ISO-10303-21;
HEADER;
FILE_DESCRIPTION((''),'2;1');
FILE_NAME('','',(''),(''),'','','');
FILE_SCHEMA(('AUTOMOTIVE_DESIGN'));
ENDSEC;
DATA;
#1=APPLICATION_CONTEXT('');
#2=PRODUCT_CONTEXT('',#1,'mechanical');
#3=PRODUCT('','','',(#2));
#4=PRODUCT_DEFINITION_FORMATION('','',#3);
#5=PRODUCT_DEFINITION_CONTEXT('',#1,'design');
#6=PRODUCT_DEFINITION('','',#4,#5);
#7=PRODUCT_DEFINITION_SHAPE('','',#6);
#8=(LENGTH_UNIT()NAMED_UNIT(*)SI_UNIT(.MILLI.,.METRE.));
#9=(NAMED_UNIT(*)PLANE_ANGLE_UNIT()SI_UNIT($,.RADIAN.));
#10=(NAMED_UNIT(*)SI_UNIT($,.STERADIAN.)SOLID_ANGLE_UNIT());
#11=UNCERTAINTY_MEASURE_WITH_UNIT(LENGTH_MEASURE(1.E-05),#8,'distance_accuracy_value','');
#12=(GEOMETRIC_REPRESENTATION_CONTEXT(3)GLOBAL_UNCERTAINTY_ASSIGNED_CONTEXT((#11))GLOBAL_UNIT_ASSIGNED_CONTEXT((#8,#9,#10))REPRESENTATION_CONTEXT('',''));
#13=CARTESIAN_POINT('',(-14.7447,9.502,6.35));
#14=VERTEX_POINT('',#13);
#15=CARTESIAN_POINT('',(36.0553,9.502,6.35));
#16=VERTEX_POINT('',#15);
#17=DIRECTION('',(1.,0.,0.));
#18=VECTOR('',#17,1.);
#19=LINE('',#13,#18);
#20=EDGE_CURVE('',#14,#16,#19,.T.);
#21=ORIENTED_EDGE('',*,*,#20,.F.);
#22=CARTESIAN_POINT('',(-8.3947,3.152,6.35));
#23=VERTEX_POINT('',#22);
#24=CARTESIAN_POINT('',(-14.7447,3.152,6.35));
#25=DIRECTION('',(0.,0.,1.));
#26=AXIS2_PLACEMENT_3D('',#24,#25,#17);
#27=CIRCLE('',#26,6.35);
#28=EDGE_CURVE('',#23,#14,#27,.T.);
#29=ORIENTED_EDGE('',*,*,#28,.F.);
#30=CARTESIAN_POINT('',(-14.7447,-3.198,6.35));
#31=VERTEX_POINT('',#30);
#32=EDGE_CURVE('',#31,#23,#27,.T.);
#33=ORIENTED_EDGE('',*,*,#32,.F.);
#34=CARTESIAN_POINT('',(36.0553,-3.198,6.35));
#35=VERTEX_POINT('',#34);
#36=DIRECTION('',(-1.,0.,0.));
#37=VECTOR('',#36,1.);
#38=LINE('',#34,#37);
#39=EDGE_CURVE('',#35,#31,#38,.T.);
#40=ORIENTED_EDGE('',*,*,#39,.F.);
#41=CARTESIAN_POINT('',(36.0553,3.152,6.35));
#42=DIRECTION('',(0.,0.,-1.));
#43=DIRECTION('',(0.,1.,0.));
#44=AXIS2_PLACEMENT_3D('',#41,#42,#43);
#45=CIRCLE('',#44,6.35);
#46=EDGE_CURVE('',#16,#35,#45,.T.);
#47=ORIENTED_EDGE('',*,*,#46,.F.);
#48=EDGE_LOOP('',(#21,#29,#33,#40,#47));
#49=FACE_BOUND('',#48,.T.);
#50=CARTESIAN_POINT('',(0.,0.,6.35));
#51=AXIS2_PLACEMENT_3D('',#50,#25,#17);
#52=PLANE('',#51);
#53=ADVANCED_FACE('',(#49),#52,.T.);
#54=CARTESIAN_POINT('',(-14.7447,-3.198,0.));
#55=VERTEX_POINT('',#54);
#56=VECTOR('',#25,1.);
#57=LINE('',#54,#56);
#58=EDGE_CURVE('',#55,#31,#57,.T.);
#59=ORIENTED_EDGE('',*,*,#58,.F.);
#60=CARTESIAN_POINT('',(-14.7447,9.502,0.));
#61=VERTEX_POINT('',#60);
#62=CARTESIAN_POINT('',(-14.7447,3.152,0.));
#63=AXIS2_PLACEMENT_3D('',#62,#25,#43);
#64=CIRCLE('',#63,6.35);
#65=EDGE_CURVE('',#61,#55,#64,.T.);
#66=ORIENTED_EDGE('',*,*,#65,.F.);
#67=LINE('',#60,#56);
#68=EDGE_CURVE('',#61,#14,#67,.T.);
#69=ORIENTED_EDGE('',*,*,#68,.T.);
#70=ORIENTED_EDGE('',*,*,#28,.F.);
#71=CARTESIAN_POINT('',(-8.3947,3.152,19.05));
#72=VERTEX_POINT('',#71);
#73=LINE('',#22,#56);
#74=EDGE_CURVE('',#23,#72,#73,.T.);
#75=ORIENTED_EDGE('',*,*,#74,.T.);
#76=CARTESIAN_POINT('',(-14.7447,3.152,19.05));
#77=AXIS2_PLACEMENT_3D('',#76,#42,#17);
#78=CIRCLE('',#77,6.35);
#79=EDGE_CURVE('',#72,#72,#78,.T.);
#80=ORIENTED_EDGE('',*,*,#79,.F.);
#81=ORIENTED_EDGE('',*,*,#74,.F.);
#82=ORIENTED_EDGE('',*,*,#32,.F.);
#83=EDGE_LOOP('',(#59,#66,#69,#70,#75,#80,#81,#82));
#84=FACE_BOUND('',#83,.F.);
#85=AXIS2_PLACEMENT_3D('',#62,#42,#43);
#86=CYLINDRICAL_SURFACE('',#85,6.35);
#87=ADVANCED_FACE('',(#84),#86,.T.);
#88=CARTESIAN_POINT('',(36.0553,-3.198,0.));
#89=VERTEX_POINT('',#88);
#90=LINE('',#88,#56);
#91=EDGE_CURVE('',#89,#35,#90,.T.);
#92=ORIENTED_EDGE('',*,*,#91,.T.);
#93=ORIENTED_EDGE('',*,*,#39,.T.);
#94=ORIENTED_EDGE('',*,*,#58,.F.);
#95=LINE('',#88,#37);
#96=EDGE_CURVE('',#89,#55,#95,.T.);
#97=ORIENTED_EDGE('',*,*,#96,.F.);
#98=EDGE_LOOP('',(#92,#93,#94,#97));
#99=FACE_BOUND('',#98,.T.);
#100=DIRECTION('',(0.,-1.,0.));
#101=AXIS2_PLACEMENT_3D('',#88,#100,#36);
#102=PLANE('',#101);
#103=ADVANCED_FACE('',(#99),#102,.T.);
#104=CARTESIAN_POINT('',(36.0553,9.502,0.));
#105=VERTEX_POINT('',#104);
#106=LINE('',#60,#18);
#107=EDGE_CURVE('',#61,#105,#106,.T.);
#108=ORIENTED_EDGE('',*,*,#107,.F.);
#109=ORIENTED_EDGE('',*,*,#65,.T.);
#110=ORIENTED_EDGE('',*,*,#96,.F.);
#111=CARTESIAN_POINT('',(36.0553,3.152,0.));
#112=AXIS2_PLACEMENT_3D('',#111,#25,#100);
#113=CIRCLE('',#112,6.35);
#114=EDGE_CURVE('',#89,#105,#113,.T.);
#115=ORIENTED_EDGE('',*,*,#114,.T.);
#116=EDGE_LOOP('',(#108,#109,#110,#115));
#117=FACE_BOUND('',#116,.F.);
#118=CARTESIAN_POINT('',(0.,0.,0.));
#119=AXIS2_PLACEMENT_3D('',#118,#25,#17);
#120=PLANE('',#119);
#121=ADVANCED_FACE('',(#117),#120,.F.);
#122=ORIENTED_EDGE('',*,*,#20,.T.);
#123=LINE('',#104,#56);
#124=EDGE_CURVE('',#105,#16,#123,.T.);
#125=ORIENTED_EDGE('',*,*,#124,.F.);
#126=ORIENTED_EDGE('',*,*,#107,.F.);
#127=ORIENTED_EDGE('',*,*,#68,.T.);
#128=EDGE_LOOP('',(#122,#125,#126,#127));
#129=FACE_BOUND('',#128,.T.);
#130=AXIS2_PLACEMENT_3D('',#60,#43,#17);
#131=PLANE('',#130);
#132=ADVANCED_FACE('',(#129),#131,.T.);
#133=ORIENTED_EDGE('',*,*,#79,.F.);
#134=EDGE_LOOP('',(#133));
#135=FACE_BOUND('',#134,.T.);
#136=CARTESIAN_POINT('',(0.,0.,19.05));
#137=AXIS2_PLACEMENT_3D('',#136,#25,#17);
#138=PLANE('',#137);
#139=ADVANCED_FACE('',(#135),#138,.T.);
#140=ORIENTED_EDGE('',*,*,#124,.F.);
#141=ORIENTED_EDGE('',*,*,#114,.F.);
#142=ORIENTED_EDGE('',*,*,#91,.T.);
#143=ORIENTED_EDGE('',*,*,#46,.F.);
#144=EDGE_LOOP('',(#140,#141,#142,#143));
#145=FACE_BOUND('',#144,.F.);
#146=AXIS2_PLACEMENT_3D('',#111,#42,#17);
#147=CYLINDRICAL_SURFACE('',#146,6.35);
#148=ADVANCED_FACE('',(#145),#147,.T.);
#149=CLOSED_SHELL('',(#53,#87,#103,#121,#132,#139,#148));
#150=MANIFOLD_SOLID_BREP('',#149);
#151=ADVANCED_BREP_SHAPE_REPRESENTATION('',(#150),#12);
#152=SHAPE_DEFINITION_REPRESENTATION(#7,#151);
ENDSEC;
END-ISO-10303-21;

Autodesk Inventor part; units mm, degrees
ref_plane "YZ Plane" through (0, 0, 0) normal (1, 0, 0) x (0, 1, 0)
ref_plane "XZ Plane" through (0, 0, 0) normal (0, 1, 0) x (-1, 0, 0)
ref_plane "XY Plane" through (0, 0, 0) normal (0, 0, 1) x (1, 0, 0)
sketch "Sketch1" plane through (0, 0, 0) normal (0, 0, 1) x (1, 0, 0)
  line L0 (-14.7447, 9.502) -> (36.0553, 9.502)
  line L1 (42.4053, 3.152) -> (42.4053, 3.152)
  line L2 (36.0553, -3.198) -> (-14.7447, -3.198)
  line L3 (-21.0947, 3.152) -> (-21.0947, 3.152)
  arc A0 (-14.7447, 9.502) -> (-21.0947, 3.152) centre (-14.7447, 3.152) ccw
  arc A1 (-21.0947, 3.152) -> (-14.7447, -3.198) centre (-14.7447, 3.152) ccw
  arc A2 (42.4053, 3.152) -> (36.0553, 9.502) centre (36.0553, 3.152) ccw
  arc A3 (36.0553, -3.198) -> (42.4053, 3.152) centre (36.0553, 3.152) ccw
  point P0 (-21.0947, 9.502)
  point P1 (-21.0947, -3.198)
  dimension "d0" = 12.7
  dimension "d1" = 6.35
  dimension "d2" = 50.8
extrude "Extrusion1" add sketch "Sketch1" along normal blind 6.35
sketch "Sketch3" plane through (0, 0, 6.35) normal (0, 0, 1) x (1, 0, 0)
  arc A0 (-14.7447, 9.502) -> (-14.7447, -3.198) centre (-14.7447, 3.152) ccw projected
  circle A1 centre (-14.7447, 3.152) radius 6.35
  dimension "d12" = 12.7
extrude "Extrusion2" add sketch "Sketch3" along normal blind 12.7
properties part number "sliderarm"
